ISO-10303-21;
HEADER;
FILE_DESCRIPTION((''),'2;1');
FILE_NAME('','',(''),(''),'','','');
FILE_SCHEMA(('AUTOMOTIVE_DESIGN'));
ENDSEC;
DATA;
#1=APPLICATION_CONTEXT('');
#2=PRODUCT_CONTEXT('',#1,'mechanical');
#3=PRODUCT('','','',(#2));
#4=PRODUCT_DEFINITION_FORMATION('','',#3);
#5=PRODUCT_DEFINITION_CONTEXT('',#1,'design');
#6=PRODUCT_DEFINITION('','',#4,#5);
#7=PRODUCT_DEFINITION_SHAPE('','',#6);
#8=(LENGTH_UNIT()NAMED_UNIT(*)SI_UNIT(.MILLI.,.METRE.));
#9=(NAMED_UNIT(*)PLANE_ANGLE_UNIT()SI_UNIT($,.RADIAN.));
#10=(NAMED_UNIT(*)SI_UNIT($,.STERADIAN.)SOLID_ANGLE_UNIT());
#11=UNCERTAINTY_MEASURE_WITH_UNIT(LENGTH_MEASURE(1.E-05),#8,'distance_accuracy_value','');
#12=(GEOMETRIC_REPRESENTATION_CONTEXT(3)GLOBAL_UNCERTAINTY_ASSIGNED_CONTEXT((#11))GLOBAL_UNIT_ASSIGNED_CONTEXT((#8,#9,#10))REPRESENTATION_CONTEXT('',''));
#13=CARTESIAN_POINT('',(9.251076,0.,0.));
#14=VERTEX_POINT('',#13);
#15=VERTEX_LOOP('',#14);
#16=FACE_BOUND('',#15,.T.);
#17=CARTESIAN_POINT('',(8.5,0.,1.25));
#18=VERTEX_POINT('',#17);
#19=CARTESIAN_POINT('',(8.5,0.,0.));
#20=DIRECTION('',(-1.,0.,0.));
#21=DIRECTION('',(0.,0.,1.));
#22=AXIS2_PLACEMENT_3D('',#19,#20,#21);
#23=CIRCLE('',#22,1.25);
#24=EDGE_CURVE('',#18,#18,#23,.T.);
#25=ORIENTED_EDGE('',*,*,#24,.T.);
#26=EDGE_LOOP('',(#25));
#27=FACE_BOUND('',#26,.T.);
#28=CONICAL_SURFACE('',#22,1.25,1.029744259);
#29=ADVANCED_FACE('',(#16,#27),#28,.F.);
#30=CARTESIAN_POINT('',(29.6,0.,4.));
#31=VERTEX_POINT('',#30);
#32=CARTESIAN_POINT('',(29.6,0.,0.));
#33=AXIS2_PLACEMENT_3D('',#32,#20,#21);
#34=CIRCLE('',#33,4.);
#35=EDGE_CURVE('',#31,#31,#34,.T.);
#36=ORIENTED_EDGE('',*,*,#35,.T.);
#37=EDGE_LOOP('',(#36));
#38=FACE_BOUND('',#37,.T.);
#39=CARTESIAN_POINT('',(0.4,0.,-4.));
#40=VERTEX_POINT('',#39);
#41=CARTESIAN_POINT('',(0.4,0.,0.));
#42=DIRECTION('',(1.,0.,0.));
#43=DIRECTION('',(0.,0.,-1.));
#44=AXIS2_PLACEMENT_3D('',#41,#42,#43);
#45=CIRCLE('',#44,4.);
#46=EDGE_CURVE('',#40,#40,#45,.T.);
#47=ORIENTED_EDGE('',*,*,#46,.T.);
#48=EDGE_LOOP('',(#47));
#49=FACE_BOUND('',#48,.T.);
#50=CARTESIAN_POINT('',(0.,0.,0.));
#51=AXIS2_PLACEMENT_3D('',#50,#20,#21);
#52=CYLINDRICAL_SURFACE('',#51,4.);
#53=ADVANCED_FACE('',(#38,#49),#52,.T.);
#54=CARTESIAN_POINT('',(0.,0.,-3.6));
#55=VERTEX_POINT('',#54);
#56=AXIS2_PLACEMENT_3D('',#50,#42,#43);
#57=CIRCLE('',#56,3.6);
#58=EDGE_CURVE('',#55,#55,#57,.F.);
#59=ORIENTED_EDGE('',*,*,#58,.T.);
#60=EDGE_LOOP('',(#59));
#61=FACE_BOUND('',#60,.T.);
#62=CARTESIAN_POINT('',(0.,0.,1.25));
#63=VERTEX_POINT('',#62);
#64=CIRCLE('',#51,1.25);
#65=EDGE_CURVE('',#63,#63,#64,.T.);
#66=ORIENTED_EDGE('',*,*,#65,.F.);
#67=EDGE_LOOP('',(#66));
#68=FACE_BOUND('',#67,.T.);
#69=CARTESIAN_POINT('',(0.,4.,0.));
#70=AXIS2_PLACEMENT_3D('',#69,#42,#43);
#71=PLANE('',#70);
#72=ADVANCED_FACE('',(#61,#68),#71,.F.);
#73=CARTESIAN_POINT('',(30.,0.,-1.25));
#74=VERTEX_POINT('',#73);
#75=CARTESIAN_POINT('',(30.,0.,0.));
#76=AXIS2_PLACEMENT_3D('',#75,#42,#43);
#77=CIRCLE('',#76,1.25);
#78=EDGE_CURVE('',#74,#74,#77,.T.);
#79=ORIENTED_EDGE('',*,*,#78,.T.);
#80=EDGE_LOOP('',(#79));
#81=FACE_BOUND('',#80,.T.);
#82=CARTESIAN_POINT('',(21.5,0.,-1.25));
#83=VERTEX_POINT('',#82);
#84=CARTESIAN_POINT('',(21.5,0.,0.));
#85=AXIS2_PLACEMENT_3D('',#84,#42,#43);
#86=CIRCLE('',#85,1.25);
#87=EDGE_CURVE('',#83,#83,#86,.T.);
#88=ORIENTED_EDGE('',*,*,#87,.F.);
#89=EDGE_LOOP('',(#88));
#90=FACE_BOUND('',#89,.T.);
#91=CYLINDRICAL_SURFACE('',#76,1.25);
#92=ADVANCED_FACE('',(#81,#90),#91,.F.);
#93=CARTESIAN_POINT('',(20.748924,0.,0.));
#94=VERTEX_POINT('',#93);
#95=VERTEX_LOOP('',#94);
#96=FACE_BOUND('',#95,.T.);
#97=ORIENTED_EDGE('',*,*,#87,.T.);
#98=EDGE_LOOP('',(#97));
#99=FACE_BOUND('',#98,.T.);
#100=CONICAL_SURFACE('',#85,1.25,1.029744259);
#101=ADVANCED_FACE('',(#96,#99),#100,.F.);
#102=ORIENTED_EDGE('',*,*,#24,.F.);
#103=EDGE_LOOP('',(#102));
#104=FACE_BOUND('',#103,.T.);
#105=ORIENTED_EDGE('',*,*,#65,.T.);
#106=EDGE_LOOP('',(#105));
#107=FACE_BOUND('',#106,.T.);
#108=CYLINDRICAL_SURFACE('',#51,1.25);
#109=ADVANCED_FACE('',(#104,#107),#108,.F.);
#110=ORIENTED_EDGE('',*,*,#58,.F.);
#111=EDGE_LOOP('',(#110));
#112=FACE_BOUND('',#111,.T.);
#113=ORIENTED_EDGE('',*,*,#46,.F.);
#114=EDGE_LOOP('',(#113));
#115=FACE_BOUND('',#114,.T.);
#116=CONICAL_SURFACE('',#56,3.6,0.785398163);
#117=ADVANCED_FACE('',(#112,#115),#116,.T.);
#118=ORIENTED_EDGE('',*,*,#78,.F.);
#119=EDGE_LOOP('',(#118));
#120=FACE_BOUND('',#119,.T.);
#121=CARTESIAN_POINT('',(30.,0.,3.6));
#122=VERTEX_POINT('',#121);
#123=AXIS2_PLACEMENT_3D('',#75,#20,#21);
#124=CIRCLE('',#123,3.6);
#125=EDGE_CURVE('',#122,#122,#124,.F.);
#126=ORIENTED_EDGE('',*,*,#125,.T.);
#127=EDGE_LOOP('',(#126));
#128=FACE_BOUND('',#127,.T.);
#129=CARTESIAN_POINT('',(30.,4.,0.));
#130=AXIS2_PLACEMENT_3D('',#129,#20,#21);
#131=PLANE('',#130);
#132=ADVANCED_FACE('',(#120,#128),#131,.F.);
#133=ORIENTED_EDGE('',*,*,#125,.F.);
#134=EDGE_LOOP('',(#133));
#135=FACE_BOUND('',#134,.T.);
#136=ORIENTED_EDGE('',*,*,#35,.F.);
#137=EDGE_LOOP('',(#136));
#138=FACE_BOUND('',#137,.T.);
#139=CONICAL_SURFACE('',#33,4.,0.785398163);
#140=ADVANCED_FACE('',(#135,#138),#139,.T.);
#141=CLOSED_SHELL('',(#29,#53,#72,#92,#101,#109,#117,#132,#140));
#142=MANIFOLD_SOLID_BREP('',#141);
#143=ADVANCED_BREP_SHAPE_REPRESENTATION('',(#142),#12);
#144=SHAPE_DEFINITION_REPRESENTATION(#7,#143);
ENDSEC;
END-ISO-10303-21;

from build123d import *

# Parameters (mm, degrees)
SKETCH1_W           = 30
SKETCH1_H           = 4
CHAMFER1_SIZE       = 0.4
TAPPED_HOLE10_D     = 2.5
TAPPED_HOLE10_DEPTH = 8.5
TAPPED_HOLE10_TIP   = 0.751075774
TAPPED_HOLE11_D     = 2.5
TAPPED_HOLE11_DEPTH = 8.5
TAPPED_HOLE11_TIP   = 0.751075774


with BuildPart() as part:
    # Sketch1 → Revolve1 (revolve)
    with BuildSketch(Plane.XY, mode=Mode.PRIVATE) as revolve1_sk:
        with Locations((15, 2)):
            Rectangle(SKETCH1_W, SKETCH1_H)
    revolve(revolve1_sk.sketch.rotate(Axis((0, 0, 0), (1, 0, 0)), 90), axis=Axis((0, 0, 0), (1, 0, 0)))

    # Chamfer1
    chamfer1_edges = [part.edges().sort_by_distance(p)[0] for p in [
        (0, 0, -4),
        (30, 0, -4),
    ]]
    chamfer(chamfer1_edges, length=CHAMFER1_SIZE)

    # Tapped Hole10
    with Locations(Plane.ZY):
        with Locations((0, 0)):
            Hole(TAPPED_HOLE10_D / 2, depth=TAPPED_HOLE10_DEPTH)
            with Locations((0, 0, -(TAPPED_HOLE10_DEPTH + TAPPED_HOLE10_TIP / 2))):  # 118° drill point
                Cone(0, TAPPED_HOLE10_D / 2, TAPPED_HOLE10_TIP, mode=Mode.SUBTRACT)

    # Tapped Hole11
    with Locations(Plane(origin=(30, 0, 0), x_dir=(0, 0, -1), z_dir=(1, 0, 0))):
        with Locations((0, 0)):
            Hole(TAPPED_HOLE11_D / 2, depth=TAPPED_HOLE11_DEPTH)
            with Locations((0, 0, -(TAPPED_HOLE11_DEPTH + TAPPED_HOLE11_TIP / 2))):  # 118° drill point
                Cone(0, TAPPED_HOLE11_D / 2, TAPPED_HOLE11_TIP, mode=Mode.SUBTRACT)


solid = part.part
